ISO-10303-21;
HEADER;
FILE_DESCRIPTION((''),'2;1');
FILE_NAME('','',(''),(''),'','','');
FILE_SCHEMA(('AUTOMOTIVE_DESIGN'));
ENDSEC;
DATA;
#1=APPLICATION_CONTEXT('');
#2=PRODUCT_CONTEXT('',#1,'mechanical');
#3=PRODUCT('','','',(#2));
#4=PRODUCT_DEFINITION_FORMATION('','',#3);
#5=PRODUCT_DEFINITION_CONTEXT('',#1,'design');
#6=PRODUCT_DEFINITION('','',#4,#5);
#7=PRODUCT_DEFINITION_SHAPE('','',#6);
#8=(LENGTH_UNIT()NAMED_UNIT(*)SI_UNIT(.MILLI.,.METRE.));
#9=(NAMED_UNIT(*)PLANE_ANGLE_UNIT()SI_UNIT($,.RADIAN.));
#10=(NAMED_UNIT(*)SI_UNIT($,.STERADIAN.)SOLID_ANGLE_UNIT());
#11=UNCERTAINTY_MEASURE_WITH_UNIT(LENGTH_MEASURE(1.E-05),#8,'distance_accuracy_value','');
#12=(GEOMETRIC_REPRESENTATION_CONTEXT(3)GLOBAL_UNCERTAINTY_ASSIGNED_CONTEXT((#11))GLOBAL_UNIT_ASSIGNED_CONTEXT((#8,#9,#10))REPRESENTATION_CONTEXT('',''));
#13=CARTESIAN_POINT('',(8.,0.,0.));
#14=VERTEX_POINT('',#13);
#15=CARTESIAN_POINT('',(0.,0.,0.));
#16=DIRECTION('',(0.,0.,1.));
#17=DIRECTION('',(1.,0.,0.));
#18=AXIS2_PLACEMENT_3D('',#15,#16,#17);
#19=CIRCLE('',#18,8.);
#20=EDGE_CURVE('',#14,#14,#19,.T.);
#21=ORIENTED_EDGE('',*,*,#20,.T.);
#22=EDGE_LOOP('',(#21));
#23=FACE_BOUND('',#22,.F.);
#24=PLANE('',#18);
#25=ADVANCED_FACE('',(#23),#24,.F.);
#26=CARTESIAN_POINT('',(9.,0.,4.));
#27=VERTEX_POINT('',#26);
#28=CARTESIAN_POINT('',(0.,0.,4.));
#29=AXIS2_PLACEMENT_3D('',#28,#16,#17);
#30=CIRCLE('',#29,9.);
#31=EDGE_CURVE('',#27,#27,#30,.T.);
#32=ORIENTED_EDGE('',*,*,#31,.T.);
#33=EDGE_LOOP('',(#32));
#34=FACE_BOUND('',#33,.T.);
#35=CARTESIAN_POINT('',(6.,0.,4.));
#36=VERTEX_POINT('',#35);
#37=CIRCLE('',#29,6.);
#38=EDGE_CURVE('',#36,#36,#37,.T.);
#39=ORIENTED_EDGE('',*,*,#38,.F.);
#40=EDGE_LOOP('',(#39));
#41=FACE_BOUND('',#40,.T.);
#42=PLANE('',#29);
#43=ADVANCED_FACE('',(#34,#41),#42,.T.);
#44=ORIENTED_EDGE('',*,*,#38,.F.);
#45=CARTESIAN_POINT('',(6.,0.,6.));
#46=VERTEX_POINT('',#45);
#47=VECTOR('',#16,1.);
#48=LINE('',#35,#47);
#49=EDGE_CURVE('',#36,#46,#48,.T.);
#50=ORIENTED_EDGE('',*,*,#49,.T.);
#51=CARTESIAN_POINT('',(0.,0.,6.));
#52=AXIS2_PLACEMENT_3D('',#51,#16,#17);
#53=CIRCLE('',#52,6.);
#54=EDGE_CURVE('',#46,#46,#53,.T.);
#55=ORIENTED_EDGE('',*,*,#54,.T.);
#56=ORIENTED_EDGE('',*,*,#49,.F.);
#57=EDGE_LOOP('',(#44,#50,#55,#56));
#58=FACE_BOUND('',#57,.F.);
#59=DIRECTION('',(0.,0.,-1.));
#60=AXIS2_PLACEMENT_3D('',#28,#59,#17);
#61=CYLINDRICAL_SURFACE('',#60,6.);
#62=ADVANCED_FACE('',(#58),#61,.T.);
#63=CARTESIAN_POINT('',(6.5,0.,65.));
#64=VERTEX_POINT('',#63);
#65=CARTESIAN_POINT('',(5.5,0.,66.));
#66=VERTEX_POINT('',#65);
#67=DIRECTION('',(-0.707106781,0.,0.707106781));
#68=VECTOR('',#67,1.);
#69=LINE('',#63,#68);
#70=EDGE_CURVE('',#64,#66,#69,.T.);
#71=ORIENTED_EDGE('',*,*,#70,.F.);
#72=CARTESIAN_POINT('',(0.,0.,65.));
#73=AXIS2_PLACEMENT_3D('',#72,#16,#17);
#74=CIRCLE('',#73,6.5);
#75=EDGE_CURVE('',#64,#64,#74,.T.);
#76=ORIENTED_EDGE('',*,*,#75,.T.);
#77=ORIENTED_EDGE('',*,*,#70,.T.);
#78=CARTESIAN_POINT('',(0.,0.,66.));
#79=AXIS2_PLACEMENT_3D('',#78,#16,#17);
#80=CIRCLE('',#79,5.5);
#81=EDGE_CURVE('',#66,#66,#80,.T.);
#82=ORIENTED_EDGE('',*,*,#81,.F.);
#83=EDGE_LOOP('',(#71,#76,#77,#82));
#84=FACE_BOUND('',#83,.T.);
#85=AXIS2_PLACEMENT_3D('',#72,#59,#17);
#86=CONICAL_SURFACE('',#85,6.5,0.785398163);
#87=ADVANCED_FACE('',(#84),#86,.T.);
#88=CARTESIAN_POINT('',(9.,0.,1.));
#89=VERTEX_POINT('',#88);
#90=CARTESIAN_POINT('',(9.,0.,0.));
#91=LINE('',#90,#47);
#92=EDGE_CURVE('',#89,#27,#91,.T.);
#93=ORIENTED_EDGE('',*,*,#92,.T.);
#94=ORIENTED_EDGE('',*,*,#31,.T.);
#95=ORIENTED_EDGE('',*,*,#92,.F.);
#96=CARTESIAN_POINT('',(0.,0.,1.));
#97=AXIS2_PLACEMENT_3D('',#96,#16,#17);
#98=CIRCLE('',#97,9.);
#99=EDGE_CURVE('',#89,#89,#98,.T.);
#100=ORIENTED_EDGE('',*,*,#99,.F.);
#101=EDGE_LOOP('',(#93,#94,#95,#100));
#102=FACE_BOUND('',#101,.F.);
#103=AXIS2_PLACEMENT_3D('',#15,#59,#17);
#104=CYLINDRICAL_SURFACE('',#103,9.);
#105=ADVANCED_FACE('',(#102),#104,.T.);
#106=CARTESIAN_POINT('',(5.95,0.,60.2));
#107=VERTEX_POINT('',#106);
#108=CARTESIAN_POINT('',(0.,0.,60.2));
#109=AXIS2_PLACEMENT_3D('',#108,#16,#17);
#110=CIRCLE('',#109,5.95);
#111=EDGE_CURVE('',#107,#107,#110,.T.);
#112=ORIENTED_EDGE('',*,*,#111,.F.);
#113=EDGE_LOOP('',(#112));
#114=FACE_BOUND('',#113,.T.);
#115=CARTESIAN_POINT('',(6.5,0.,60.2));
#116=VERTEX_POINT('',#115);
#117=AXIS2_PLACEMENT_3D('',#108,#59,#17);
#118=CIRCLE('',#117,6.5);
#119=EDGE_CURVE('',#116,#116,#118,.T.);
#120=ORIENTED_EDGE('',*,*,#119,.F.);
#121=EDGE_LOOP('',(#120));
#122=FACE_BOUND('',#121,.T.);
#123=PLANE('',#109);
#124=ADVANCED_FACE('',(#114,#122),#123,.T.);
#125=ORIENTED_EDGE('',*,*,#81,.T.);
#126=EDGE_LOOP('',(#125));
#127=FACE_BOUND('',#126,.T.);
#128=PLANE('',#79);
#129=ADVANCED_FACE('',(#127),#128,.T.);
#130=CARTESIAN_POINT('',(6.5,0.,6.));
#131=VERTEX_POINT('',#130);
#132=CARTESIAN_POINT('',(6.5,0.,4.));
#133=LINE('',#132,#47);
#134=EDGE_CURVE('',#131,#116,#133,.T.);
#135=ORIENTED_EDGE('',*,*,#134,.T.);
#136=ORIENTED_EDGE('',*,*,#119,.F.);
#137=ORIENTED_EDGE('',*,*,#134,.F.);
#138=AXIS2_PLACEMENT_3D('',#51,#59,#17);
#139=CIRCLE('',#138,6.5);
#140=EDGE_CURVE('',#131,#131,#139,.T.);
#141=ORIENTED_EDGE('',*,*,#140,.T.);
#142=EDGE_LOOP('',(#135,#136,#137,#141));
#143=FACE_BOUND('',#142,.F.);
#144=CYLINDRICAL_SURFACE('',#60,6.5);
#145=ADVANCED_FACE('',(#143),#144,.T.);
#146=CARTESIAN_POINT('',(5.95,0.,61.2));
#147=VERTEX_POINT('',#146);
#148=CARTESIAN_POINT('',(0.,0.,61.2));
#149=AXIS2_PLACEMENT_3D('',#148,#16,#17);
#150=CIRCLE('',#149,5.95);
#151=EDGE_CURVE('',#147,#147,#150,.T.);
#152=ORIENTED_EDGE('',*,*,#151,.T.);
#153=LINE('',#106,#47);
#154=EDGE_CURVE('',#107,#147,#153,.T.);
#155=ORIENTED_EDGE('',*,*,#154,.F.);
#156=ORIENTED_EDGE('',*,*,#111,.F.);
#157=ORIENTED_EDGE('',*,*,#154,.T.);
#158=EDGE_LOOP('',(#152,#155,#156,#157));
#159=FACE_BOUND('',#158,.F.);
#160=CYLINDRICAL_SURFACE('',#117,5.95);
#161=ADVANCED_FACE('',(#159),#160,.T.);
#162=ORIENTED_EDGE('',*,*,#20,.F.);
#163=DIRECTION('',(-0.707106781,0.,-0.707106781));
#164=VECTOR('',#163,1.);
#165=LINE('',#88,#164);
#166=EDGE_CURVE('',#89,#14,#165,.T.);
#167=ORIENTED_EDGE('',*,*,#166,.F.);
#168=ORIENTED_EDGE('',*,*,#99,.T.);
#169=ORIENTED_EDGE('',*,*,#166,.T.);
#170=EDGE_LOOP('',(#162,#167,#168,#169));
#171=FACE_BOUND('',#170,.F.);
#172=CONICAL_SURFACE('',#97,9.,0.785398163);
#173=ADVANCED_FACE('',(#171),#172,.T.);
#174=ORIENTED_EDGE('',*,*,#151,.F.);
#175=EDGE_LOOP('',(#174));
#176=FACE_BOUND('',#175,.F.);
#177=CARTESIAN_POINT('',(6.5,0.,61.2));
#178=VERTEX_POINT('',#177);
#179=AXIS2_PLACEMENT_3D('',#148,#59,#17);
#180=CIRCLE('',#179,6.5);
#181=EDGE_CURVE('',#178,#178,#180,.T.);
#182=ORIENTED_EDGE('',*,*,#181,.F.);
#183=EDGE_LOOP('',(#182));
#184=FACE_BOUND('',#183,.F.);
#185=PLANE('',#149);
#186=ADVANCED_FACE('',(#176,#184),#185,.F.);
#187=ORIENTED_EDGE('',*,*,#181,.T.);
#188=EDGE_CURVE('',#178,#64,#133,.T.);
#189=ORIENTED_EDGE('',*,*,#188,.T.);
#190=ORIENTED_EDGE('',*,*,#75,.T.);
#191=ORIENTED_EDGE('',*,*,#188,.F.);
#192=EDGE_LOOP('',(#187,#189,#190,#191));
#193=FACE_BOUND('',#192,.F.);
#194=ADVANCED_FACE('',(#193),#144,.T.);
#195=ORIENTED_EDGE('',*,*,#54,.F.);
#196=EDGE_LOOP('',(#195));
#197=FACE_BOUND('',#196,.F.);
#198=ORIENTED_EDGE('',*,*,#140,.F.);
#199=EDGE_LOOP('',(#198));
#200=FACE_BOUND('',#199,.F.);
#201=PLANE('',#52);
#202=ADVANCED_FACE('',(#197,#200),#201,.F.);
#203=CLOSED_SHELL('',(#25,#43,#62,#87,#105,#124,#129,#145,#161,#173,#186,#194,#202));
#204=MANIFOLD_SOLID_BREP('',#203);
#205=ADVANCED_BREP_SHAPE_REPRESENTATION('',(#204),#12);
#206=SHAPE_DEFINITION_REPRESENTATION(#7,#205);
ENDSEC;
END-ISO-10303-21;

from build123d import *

# Parameters (mm, degrees)
SKETCH_1_R          = 9
EXTRUDE_1_DEPTH     = 4
SKETCH_2_R          = 6.5
EXTRUDE_2_DEPTH     = 62
SKETCH_4_OUTSIDE_W  = 34.148
SKETCH_4_OUTSIDE_H  = 34.148
SKETCH_4_OUTSIDE_R  = 6
CUT_EXTRUDE_1_DEPTH = 2
CUT_EXTRUDE_START   = -5.8
SKETCH_5_OUTSIDE_W  = 34.148
SKETCH_5_OUTSIDE_H  = 34.148
SKETCH_5_OUTSIDE_R  = 5.95
CUT_EXTRUDE_2_DEPTH = 1
CHAMFER_1_SIZE      = 1


with BuildPart() as part:
    # 草图1 → 凸台-拉伸1 (new body)
    with BuildSketch(Plane.XY):
        Circle(SKETCH_1_R)
    extrude(amount=EXTRUDE_1_DEPTH)

    # 草图2 → 凸台-拉伸2 (add)
    with BuildSketch(Plane.XY.offset(4)):
        Circle(SKETCH_2_R)
    extrude(amount=EXTRUDE_2_DEPTH)

    # 草图4 outside → 切除-拉伸1 (cut)
    with BuildSketch(Plane.XY.offset(4)):
        Rectangle(SKETCH_4_OUTSIDE_W, SKETCH_4_OUTSIDE_H)
        Circle(SKETCH_4_OUTSIDE_R, mode=Mode.SUBTRACT)
    extrude(amount=CUT_EXTRUDE_1_DEPTH, mode=Mode.SUBTRACT)

    # 草图5 outside → 切除-拉伸2 (cut)
    with BuildSketch(Plane.XY.offset(66).offset(CUT_EXTRUDE_START)):
        Rectangle(SKETCH_5_OUTSIDE_W, SKETCH_5_OUTSIDE_H)
        Circle(SKETCH_5_OUTSIDE_R, mode=Mode.SUBTRACT)
    extrude(amount=CUT_EXTRUDE_2_DEPTH, mode=Mode.SUBTRACT)

    # 倒角1
    chamfer_1_edges = [part.edges().sort_by_distance(p)[0] for p in [
        (-9, 0, 0),
        (-6.5, 0, 66),
    ]]
    chamfer(chamfer_1_edges, length=CHAMFER_1_SIZE)


solid = part.part
